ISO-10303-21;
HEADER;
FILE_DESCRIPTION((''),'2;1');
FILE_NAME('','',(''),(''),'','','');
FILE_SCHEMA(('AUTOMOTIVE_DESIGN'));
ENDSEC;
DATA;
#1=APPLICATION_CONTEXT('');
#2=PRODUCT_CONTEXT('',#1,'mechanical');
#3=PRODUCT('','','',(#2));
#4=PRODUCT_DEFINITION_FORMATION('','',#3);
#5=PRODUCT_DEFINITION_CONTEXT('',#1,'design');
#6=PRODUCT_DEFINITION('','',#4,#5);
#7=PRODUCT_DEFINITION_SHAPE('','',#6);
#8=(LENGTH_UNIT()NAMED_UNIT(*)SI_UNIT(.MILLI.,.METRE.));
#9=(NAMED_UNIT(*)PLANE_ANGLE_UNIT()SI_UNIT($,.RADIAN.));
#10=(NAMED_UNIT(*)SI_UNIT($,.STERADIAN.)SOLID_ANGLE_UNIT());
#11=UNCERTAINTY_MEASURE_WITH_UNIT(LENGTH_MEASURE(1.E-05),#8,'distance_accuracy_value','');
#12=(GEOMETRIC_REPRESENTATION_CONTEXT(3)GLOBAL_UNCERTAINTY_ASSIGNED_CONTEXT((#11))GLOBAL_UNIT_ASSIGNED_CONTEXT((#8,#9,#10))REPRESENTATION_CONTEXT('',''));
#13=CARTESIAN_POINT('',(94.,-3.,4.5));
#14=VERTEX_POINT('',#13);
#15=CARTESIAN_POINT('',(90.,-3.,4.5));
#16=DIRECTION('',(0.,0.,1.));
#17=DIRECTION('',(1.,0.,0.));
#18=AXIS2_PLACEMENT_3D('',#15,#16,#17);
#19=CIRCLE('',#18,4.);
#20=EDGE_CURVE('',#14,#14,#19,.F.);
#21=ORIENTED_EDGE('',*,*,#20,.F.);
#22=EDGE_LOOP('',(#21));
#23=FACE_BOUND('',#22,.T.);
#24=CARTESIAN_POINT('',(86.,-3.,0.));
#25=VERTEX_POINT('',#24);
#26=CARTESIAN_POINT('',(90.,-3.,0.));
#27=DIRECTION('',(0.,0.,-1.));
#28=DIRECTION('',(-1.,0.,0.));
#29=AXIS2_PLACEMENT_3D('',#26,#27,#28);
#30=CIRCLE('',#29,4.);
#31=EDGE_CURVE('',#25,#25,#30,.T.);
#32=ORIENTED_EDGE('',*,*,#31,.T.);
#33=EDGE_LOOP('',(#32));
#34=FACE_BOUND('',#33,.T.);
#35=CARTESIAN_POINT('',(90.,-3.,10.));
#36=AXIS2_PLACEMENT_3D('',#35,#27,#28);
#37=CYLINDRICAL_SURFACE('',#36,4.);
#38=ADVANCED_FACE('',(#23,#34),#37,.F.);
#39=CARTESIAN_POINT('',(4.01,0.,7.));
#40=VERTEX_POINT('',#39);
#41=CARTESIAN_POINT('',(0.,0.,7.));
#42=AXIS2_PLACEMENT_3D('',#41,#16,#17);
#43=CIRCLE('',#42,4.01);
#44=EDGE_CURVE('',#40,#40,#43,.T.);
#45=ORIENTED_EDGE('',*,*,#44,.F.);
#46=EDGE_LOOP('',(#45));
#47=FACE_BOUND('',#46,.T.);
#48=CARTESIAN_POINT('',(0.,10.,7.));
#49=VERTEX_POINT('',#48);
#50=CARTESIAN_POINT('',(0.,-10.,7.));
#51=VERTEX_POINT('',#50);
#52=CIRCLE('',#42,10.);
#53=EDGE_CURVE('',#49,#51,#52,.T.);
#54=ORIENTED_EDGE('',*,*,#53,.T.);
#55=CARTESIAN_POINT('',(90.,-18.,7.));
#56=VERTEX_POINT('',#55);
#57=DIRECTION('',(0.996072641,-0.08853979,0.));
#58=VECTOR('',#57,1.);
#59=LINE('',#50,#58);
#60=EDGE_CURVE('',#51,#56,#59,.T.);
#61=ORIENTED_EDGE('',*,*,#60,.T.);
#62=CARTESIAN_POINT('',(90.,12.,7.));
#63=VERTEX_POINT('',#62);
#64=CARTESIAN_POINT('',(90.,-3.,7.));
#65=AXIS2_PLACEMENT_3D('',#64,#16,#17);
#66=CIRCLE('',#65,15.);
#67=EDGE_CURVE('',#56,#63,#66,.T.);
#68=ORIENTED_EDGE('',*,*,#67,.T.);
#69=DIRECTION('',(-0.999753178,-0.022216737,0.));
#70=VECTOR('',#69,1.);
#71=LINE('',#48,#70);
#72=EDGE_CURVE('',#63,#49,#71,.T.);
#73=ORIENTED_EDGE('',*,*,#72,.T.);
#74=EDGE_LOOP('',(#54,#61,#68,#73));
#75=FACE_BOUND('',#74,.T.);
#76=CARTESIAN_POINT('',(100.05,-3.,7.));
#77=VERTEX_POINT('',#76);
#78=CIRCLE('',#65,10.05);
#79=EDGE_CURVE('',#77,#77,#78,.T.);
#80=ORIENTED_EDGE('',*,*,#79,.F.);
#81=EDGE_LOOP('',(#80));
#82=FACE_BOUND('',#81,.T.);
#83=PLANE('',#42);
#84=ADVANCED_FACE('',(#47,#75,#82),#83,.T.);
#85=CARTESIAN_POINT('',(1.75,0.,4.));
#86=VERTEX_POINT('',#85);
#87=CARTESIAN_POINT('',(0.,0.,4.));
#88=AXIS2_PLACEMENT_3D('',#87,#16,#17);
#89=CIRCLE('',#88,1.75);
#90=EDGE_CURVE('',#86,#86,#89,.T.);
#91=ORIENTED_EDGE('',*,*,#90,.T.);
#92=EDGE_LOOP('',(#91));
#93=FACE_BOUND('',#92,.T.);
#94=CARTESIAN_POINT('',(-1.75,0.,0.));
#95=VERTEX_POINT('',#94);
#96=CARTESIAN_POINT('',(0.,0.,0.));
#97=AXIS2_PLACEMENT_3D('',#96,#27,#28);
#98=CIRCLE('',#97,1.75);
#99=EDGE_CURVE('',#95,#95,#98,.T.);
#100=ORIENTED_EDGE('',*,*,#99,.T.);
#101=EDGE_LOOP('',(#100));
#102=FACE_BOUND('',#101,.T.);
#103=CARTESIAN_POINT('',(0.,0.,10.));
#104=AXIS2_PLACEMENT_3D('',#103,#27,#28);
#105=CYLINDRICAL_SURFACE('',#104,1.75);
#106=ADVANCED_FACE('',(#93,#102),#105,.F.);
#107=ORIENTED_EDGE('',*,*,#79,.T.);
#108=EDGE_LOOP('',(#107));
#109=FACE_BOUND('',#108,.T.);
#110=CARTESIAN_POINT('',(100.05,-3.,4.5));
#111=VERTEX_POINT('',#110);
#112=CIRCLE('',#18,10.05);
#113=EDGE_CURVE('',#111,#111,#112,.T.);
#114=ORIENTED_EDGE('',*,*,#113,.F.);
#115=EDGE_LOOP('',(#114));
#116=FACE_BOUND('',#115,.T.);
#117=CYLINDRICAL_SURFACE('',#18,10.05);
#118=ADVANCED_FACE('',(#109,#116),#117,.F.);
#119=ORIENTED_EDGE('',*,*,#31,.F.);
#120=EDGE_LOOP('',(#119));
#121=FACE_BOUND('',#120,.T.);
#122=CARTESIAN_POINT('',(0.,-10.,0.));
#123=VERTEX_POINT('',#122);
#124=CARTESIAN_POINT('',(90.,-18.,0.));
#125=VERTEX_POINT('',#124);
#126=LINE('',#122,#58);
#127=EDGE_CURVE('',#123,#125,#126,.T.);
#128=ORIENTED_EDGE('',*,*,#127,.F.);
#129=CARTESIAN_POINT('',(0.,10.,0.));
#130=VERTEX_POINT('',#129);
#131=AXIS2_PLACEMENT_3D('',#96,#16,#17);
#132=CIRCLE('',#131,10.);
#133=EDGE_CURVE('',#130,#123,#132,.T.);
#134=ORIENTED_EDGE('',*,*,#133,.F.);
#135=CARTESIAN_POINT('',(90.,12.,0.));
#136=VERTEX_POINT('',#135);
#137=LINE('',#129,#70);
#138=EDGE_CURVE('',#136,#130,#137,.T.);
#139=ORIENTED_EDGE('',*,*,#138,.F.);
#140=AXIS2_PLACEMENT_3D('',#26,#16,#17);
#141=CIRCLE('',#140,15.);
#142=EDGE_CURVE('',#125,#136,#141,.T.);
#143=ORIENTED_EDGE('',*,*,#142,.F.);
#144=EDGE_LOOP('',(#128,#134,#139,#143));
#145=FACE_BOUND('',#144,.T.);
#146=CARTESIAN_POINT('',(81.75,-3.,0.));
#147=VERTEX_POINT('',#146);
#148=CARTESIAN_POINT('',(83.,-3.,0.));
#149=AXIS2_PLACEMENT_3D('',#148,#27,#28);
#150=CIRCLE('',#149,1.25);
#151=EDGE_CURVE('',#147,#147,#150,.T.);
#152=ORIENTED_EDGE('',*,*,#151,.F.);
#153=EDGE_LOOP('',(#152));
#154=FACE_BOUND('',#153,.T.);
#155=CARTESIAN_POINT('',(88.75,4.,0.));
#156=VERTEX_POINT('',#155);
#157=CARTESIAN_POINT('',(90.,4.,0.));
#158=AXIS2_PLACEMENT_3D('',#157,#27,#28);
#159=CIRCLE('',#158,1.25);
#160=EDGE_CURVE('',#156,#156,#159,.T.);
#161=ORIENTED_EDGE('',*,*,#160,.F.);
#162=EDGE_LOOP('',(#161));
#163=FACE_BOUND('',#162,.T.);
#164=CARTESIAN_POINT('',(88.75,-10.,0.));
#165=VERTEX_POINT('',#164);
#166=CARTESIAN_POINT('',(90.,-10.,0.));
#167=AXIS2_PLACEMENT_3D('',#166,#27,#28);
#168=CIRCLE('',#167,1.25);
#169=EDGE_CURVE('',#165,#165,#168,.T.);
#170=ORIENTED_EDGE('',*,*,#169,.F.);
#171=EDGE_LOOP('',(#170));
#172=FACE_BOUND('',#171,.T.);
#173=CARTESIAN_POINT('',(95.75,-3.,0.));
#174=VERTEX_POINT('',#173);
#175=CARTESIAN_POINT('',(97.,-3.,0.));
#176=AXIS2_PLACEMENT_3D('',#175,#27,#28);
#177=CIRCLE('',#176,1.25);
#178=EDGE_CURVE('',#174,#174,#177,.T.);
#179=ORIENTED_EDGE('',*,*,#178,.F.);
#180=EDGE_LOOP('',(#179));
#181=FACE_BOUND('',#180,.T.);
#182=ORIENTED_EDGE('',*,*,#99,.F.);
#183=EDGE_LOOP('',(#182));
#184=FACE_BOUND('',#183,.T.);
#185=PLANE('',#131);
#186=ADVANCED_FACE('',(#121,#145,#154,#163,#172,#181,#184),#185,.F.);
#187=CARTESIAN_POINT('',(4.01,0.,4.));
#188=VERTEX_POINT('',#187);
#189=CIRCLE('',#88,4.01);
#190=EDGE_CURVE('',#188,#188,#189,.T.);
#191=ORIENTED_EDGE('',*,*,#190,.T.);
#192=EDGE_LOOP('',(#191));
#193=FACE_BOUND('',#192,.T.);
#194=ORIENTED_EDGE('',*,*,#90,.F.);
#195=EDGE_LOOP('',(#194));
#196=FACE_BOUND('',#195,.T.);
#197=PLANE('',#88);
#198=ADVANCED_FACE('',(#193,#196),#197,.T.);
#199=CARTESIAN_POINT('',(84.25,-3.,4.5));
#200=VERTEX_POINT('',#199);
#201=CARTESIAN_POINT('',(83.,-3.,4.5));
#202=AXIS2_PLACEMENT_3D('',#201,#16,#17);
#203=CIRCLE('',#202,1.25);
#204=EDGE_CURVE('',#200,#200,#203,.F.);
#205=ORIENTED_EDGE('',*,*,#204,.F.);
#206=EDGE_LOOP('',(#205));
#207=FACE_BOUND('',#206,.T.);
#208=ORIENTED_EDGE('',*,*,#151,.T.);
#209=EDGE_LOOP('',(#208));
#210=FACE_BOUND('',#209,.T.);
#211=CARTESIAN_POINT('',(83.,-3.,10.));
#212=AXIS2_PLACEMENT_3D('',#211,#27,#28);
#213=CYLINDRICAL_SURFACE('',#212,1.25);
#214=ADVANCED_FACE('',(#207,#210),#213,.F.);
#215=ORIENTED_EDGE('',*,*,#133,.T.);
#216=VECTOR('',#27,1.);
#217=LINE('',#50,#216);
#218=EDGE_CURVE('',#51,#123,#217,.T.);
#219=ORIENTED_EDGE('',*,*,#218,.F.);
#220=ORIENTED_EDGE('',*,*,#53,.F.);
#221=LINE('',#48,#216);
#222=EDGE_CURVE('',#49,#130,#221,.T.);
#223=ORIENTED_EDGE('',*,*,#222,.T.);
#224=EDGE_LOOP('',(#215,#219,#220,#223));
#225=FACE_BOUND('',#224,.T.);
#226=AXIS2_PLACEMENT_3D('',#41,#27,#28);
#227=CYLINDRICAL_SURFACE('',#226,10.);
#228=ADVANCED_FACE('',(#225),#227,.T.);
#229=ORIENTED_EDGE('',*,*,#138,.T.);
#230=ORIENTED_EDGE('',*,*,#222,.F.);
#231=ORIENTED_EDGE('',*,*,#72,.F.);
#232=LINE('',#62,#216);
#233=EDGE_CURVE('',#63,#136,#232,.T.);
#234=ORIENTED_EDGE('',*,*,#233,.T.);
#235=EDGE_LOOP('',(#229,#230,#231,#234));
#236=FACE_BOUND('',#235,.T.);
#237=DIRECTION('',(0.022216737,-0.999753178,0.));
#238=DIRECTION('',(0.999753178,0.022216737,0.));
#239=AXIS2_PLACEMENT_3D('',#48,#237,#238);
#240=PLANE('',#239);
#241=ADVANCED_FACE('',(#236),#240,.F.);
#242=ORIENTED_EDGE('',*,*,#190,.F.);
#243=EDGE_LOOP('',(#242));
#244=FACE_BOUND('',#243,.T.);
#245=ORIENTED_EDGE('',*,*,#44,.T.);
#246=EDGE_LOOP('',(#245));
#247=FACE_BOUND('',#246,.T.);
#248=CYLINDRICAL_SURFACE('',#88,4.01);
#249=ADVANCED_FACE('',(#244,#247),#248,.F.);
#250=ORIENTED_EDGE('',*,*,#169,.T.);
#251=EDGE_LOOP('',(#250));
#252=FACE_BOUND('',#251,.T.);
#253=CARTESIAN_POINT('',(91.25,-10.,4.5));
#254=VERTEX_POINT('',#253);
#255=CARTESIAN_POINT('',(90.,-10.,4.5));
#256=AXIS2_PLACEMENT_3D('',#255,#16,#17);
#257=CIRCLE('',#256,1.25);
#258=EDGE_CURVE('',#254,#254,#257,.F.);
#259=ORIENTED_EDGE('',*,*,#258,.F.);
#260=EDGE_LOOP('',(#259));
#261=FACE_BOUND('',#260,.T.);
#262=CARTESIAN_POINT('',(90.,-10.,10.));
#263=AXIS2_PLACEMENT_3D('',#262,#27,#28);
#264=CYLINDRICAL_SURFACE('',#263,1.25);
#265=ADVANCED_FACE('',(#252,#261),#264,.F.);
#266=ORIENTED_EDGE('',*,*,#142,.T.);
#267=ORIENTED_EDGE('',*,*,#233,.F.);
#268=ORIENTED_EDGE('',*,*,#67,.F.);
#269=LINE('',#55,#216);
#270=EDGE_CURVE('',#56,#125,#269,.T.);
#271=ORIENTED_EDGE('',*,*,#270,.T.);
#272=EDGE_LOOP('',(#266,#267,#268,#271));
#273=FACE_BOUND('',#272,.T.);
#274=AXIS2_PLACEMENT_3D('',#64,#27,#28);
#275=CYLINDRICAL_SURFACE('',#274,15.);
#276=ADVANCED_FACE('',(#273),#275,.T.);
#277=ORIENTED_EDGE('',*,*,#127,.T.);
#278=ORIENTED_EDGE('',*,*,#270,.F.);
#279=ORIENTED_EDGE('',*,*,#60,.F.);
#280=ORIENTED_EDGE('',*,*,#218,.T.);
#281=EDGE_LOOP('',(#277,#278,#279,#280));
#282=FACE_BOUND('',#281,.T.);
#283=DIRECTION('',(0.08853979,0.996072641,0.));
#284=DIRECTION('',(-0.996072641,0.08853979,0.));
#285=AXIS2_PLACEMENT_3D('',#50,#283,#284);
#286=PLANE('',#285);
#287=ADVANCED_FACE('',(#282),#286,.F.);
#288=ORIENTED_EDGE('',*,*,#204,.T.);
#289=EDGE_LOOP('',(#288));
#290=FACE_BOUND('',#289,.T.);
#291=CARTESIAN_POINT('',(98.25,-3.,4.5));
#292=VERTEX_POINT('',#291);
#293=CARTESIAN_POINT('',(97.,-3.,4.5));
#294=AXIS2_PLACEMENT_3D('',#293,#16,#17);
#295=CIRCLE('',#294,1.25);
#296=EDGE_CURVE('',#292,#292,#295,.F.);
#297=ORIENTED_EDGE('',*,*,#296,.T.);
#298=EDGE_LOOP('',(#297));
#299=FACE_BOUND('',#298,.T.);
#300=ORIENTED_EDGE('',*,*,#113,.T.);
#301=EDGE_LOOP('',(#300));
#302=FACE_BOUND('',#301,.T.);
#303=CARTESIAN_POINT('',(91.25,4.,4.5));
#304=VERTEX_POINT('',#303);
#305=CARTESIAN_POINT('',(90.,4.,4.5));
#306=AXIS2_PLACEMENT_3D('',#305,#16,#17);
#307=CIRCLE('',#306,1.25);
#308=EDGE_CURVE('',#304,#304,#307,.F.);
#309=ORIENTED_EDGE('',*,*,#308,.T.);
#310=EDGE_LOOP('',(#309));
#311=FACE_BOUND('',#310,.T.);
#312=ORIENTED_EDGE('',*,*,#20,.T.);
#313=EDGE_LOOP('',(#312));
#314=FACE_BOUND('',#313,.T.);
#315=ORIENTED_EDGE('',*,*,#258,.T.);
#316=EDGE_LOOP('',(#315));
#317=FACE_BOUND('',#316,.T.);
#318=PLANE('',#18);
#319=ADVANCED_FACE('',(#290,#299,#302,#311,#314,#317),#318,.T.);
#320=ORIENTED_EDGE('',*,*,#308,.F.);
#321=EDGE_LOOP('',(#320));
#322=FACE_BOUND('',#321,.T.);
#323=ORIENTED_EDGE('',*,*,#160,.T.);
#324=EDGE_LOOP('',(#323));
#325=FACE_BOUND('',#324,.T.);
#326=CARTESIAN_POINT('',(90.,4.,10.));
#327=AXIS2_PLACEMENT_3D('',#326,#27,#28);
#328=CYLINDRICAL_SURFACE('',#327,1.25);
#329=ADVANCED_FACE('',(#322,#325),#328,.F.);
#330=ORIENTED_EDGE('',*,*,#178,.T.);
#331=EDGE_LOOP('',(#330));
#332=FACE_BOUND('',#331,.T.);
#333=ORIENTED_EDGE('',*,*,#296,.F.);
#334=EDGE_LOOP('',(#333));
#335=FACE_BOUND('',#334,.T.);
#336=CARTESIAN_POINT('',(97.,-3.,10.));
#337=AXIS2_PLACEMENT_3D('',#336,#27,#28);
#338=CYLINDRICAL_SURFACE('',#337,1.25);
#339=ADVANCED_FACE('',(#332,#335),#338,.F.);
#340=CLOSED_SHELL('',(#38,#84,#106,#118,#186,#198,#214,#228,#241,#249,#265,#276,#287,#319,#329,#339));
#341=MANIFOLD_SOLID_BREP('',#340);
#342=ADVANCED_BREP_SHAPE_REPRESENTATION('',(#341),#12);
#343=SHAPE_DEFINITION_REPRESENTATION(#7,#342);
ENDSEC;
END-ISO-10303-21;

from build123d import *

# Parameters (mm, degrees)
EXTRUDE_1_DEPTH     = 7
SKETCH_2_R          = 4.1
SKETCH_2_R_2        = 1.25
SKETCH_2_R_3        = 4
CUT_EXTRUDE_1_DEPTH = 10
SKETCH_3_R          = 10.05
CUT_EXTRUDE_2_DEPTH = 2.5
EXTRUDE_START       = -7
SKETCH_4_R          = 4.1
EXTRUDE_5_DEPTH     = 7
SKETCH_6_R          = 4.01
CUT_EXTRUDE_6_DEPTH = 3
SKETCH_8_R          = 1.75
CUT_EXTRUDE_7_DEPTH = 10


with BuildPart() as part:
    # 草图1 → 凸台-拉伸1 (new body)
    with BuildSketch(Plane.XY):
        with BuildLine():
            Line((0, -10), (90, -18))
            ThreePointArc((90, -18), (105, -3), (90, 12))
            Line((90, 12), (0, 10))
            ThreePointArc((0, 10), (-10, 0), (0, -10))
        make_face()
    extrude(amount=EXTRUDE_1_DEPTH)

    # 草图2 → 切除-拉伸1 (cut)
    with BuildSketch(Plane(origin=(0, 0, 0), x_dir=(-1, 0, 0), z_dir=(0, 0, -1))):
        Circle(SKETCH_2_R)
        with Locations((-90, -10)):
            Circle(SKETCH_2_R_2)
        with Locations((-83, -3)):
            Circle(SKETCH_2_R_2)
        with Locations((-90, 4)):
            Circle(SKETCH_2_R_2)
        with Locations((-97, -3)):
            Circle(SKETCH_2_R_2)
        with Locations((-90, -3)):
            Circle(SKETCH_2_R_3)
    extrude(amount=-CUT_EXTRUDE_1_DEPTH, mode=Mode.SUBTRACT)

    # 草图3 → 切除-拉伸2 (cut)
    with BuildSketch(Plane.XY.offset(7)):
        with Locations((90, -3)):
            Circle(SKETCH_3_R)
    extrude(amount=-CUT_EXTRUDE_2_DEPTH, mode=Mode.SUBTRACT)

    # 草图4 → 凸台-拉伸5 (add)
    with BuildSketch(Plane.XY.offset(7).offset(EXTRUDE_START)):
        Circle(SKETCH_4_R)
    extrude(amount=EXTRUDE_5_DEPTH)

    # 草图6 → 切除-拉伸6 (cut)
    with BuildSketch(Plane.XY.offset(7)):
        Circle(SKETCH_6_R)
    extrude(amount=-CUT_EXTRUDE_6_DEPTH, mode=Mode.SUBTRACT)

    # 草图8 → 切除-拉伸7 (cut)
    with BuildSketch(Plane(origin=(0, 0, 0), x_dir=(-1, 0, 0), z_dir=(0, 0, -1))):
        Circle(SKETCH_8_R)
    extrude(amount=-CUT_EXTRUDE_7_DEPTH, mode=Mode.SUBTRACT)


solid = part.part
